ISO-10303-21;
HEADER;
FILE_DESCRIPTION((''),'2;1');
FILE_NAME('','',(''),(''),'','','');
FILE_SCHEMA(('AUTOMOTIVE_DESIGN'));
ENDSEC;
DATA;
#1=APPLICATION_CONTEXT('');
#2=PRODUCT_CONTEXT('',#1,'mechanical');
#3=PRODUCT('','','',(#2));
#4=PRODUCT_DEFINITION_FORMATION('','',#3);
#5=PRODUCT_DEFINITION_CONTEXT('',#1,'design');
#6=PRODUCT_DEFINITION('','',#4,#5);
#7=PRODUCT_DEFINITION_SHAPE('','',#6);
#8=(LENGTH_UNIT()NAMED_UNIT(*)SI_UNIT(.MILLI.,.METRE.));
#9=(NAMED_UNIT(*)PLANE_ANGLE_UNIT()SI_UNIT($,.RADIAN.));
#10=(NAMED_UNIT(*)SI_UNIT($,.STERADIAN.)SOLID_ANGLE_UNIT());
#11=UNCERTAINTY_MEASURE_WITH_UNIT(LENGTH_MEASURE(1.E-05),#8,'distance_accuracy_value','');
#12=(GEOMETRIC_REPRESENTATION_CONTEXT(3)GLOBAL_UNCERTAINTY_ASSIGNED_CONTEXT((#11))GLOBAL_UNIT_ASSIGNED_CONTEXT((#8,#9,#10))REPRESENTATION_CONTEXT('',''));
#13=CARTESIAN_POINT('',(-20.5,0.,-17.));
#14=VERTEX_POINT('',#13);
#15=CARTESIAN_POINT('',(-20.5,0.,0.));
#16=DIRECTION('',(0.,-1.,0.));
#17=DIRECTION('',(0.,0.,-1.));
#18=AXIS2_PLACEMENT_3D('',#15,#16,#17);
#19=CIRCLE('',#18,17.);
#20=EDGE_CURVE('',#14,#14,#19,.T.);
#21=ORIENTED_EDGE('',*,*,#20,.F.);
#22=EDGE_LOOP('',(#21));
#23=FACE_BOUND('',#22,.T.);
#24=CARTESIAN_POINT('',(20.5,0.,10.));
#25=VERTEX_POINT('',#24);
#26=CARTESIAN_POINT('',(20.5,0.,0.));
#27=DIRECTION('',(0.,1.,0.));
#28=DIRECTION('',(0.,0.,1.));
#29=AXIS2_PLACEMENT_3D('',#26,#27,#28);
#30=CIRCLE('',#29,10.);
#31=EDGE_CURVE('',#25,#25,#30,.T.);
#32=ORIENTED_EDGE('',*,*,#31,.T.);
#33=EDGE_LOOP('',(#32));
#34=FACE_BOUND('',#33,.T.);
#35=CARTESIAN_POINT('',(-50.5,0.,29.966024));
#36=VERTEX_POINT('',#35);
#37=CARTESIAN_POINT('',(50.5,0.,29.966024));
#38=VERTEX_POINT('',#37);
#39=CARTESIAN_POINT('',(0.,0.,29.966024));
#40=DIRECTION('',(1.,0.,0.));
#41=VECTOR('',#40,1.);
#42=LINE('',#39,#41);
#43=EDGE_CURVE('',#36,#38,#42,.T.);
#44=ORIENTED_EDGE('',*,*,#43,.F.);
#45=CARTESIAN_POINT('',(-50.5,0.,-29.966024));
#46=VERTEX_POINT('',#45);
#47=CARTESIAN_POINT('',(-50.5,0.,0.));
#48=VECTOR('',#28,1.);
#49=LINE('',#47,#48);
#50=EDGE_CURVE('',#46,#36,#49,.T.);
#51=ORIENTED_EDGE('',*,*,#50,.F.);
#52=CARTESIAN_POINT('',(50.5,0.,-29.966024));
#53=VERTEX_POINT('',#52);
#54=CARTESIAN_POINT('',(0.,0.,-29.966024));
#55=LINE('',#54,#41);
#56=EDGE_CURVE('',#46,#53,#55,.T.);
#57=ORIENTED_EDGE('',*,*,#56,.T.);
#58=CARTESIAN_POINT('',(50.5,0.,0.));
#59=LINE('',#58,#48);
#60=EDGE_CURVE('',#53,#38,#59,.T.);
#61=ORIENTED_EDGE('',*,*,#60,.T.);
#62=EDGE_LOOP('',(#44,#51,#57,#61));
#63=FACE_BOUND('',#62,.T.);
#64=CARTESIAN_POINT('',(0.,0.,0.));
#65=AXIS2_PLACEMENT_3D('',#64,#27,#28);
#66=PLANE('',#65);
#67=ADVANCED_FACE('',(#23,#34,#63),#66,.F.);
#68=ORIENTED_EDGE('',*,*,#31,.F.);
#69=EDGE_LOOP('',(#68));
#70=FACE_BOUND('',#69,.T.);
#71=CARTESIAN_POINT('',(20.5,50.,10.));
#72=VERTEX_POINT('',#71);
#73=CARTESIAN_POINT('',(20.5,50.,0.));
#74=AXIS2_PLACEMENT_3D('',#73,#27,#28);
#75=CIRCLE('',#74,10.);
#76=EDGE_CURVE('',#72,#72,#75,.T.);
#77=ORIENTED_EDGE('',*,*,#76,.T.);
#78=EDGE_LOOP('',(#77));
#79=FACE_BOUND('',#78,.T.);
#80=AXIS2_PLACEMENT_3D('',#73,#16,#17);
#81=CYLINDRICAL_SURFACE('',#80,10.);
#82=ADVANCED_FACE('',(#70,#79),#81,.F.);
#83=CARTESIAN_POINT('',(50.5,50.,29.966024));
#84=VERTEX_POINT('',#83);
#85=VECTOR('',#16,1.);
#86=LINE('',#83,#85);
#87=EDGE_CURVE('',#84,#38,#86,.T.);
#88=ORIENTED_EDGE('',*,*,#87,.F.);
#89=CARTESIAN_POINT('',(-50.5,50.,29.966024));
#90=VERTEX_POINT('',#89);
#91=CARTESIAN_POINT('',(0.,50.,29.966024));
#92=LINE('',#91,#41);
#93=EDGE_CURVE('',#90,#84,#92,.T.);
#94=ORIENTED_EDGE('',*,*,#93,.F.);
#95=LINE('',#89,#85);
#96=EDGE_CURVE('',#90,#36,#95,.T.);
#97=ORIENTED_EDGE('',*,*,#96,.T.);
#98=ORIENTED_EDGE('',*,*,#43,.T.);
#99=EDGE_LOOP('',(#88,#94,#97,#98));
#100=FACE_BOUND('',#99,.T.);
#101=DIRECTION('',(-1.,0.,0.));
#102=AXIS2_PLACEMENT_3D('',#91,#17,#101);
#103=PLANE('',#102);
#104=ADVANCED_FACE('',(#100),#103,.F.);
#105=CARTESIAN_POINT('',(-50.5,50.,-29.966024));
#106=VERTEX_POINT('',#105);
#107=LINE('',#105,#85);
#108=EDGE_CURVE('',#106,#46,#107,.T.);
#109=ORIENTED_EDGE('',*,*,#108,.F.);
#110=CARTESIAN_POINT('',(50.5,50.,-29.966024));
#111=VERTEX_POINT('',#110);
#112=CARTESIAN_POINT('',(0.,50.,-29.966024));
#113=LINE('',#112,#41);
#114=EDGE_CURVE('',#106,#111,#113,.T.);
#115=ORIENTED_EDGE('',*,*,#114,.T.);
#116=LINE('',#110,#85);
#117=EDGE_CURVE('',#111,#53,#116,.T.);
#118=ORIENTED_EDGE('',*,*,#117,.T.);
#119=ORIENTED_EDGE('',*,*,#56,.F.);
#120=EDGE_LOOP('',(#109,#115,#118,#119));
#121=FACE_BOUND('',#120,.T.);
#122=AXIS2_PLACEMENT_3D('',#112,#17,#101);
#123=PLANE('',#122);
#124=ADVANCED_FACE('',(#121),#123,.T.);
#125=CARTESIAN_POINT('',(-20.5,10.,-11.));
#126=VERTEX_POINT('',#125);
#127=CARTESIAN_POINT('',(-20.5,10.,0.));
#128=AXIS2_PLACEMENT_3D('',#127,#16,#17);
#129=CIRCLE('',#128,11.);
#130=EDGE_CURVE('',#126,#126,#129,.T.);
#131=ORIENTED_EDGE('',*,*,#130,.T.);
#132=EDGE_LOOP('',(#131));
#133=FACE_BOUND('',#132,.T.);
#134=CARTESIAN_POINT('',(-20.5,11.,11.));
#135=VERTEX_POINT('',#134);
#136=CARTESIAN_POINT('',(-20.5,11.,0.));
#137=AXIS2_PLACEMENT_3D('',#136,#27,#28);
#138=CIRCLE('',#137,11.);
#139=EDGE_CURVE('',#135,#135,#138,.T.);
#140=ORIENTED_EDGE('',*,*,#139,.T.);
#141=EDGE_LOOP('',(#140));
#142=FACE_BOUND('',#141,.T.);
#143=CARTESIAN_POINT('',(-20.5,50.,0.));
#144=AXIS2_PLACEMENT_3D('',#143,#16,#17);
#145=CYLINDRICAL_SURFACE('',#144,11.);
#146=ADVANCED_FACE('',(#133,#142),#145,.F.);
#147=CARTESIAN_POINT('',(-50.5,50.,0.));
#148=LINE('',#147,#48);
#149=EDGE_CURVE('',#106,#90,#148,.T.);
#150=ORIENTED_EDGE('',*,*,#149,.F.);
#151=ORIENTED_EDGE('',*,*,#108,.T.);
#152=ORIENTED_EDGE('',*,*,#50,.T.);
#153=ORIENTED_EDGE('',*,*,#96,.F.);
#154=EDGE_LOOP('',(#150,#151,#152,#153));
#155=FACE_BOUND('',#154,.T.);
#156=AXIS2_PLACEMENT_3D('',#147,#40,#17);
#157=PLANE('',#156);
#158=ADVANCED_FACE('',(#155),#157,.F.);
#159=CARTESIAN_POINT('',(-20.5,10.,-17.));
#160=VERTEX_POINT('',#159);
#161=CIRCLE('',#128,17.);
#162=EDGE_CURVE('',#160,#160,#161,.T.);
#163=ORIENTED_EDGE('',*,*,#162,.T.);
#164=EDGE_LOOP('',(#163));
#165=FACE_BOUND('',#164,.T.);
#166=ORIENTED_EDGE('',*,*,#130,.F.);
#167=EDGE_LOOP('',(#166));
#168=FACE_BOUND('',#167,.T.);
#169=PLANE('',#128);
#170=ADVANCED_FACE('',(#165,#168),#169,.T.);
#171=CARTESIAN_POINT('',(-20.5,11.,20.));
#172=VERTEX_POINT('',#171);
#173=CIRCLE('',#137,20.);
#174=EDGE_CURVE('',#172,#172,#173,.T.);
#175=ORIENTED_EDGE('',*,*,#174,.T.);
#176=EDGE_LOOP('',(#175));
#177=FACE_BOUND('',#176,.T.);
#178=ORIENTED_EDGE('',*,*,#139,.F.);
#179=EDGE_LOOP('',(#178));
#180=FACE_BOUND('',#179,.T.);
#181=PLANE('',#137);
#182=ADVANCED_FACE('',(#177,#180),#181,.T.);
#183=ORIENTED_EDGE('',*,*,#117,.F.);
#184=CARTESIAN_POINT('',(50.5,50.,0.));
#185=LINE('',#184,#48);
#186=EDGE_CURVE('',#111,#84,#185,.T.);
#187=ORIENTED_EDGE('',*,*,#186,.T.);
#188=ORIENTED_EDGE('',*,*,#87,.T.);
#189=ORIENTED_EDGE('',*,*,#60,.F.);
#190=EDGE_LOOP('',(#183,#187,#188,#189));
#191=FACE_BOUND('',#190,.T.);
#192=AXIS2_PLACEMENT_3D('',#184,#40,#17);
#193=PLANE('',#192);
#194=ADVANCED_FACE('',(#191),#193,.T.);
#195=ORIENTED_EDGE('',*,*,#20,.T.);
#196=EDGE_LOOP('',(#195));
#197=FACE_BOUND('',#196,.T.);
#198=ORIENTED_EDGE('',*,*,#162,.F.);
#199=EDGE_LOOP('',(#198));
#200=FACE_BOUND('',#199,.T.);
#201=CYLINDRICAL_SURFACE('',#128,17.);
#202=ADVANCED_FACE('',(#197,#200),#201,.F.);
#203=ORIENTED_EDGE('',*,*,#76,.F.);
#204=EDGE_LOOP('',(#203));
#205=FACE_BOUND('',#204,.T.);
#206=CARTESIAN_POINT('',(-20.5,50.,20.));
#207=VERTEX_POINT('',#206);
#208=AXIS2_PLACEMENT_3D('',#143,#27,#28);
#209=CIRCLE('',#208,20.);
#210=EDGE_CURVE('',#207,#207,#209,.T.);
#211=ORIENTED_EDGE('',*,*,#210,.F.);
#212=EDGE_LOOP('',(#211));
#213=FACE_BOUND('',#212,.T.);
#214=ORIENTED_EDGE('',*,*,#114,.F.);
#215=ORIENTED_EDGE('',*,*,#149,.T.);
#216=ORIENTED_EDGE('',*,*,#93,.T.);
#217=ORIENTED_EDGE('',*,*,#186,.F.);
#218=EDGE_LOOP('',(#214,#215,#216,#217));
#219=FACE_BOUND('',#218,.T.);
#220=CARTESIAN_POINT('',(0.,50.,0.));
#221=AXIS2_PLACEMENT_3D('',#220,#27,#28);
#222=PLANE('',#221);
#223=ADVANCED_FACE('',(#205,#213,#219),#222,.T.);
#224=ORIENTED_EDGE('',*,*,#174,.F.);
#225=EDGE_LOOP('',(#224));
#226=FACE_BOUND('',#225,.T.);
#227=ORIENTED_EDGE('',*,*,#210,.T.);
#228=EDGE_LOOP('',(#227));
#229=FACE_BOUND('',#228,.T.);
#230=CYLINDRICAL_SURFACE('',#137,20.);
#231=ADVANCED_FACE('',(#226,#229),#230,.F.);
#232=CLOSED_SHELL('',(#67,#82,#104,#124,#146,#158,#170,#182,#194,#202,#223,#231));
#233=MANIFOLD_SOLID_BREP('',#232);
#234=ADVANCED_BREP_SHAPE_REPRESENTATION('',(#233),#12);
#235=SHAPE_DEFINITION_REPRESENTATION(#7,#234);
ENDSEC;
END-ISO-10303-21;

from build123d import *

# Parameters (mm, degrees)
SKETCH1_W           = 101
SKETCH1_H           = 59.932047928
SKETCH1_R           = 11
SKETCH1_R_2         = 10
BOSS_EXTRUDE1_DEPTH = 50
SKETCH3_R           = 17
CUT_EXTRUDE1_DEPTH  = 10
SKETCH4_R           = 20
CUT_EXTRUDE2_DEPTH  = 39


with BuildPart() as part:
    # Sketch1 → Boss-Extrude1 (new body)
    with BuildSketch(Plane(origin=(0, 0, 0), x_dir=(1, 0, 0), z_dir=(0, 1, 0))):
        Rectangle(SKETCH1_W, SKETCH1_H)
        with Locations(Location((-20.5, 0, 0), (0, 0, 270))):
            Circle(SKETCH1_R, mode=Mode.SUBTRACT)
        with Locations(Location((20.5, 0, 0), (0, 0, 270))):
            Circle(SKETCH1_R_2, mode=Mode.SUBTRACT)
    extrude(amount=BOSS_EXTRUDE1_DEPTH)

    # Sketch3 → Cut-Extrude1 (cut)
    with BuildSketch(Plane.XZ):
        with Locations(Location((-20.5, 0, 0), (0, 0, 270))):
            Circle(SKETCH3_R)
    extrude(amount=-CUT_EXTRUDE1_DEPTH, mode=Mode.SUBTRACT)

    # Sketch4 → Cut-Extrude2 (cut)
    with BuildSketch(Plane(origin=(0, 50, 0), x_dir=(1, 0, 0), z_dir=(0, 1, 0))):
        with Locations(Location((-20.5, 0, 0), (0, 0, 270))):
            Circle(SKETCH4_R)
    extrude(amount=-CUT_EXTRUDE2_DEPTH, mode=Mode.SUBTRACT)


solid = part.part
